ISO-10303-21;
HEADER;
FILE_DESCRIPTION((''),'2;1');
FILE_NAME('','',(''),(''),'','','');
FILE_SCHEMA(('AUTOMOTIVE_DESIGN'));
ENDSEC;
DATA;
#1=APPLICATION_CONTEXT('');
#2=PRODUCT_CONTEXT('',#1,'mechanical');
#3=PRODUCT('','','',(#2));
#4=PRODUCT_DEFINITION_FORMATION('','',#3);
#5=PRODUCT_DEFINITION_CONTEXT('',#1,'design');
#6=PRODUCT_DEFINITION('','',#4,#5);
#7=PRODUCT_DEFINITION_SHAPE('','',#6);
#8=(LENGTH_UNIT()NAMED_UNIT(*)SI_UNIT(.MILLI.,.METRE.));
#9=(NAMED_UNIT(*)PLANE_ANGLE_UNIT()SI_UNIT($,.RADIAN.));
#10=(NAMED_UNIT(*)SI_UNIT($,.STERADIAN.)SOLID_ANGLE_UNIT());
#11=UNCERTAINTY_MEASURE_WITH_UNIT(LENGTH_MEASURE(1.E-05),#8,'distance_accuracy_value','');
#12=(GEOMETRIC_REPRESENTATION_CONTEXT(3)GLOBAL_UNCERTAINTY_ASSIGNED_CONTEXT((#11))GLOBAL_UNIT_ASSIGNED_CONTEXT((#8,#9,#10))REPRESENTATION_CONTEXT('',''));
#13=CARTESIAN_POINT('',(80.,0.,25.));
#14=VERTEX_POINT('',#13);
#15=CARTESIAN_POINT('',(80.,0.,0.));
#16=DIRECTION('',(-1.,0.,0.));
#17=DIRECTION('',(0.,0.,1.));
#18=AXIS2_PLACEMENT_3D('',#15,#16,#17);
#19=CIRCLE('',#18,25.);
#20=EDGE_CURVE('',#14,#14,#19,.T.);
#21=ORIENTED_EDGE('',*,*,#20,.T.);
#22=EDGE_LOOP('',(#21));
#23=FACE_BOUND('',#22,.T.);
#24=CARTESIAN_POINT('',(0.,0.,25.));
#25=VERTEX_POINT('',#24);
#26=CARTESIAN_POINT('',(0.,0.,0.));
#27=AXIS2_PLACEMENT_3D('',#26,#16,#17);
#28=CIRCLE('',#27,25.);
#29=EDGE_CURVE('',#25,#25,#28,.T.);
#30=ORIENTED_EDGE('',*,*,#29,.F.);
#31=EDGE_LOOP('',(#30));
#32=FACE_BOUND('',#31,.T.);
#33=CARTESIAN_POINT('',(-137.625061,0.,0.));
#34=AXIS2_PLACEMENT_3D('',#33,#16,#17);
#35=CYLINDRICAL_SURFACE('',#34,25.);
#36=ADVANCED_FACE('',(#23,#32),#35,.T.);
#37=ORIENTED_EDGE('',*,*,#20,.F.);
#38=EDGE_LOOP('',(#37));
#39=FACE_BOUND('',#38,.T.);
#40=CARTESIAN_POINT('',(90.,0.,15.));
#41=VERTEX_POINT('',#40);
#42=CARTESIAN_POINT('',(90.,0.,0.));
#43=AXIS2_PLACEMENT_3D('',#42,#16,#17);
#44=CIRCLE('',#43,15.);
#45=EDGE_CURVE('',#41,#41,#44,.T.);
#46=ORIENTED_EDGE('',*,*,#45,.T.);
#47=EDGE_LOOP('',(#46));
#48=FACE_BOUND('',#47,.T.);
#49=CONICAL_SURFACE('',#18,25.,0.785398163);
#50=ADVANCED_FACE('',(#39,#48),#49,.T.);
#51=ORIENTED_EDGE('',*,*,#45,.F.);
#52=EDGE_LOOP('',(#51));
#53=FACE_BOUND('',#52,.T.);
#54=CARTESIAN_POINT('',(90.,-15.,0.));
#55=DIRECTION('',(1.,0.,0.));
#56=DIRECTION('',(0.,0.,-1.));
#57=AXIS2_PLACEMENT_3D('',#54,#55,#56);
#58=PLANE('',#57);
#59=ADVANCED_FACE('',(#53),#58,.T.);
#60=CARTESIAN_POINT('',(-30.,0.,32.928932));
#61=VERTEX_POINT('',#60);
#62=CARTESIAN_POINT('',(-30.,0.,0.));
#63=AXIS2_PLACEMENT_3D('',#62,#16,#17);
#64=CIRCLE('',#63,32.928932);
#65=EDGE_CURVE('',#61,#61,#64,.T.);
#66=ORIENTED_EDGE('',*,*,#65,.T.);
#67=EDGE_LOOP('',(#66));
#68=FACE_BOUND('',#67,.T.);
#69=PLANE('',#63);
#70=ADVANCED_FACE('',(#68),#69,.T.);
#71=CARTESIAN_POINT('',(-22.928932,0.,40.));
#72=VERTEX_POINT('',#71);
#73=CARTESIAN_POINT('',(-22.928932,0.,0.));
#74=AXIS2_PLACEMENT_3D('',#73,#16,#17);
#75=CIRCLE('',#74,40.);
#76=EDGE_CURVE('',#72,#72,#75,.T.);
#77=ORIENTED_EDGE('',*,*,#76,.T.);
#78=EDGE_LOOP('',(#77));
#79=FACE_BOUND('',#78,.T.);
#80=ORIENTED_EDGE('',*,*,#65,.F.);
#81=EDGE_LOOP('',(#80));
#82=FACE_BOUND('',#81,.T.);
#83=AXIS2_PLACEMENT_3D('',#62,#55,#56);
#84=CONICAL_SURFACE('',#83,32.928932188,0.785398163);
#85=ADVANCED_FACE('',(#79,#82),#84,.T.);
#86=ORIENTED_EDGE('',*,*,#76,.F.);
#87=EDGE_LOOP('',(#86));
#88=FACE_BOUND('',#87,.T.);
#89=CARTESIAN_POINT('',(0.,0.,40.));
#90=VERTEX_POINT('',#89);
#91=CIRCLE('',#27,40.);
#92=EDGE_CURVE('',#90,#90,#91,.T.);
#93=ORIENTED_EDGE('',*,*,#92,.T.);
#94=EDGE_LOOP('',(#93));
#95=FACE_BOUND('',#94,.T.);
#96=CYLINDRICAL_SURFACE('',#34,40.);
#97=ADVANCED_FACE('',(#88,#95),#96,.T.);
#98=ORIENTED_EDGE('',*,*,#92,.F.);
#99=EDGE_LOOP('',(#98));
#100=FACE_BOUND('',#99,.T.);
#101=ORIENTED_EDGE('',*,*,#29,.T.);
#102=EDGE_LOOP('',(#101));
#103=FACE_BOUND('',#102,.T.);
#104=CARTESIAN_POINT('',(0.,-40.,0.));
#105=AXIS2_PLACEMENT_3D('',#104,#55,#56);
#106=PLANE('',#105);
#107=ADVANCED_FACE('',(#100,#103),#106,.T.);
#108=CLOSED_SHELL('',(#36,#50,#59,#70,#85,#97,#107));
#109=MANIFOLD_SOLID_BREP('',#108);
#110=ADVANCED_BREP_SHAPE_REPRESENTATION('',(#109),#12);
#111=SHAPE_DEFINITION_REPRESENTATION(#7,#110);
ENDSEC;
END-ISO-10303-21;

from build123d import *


with BuildPart() as part:
    # Sketch1 → Revolve1 (revolve)
    with BuildSketch(Plane.XY):
        Polygon((-30, 0), (-30, -32.928932188), (-22.928932188, -40), (0, -40), (0, -25), (80, -25), (90, -15), (90, 0), align=None)
    revolve(axis=Axis((-137.625060789, 0, 0), (1, 0, 0)))


solid = part.part
